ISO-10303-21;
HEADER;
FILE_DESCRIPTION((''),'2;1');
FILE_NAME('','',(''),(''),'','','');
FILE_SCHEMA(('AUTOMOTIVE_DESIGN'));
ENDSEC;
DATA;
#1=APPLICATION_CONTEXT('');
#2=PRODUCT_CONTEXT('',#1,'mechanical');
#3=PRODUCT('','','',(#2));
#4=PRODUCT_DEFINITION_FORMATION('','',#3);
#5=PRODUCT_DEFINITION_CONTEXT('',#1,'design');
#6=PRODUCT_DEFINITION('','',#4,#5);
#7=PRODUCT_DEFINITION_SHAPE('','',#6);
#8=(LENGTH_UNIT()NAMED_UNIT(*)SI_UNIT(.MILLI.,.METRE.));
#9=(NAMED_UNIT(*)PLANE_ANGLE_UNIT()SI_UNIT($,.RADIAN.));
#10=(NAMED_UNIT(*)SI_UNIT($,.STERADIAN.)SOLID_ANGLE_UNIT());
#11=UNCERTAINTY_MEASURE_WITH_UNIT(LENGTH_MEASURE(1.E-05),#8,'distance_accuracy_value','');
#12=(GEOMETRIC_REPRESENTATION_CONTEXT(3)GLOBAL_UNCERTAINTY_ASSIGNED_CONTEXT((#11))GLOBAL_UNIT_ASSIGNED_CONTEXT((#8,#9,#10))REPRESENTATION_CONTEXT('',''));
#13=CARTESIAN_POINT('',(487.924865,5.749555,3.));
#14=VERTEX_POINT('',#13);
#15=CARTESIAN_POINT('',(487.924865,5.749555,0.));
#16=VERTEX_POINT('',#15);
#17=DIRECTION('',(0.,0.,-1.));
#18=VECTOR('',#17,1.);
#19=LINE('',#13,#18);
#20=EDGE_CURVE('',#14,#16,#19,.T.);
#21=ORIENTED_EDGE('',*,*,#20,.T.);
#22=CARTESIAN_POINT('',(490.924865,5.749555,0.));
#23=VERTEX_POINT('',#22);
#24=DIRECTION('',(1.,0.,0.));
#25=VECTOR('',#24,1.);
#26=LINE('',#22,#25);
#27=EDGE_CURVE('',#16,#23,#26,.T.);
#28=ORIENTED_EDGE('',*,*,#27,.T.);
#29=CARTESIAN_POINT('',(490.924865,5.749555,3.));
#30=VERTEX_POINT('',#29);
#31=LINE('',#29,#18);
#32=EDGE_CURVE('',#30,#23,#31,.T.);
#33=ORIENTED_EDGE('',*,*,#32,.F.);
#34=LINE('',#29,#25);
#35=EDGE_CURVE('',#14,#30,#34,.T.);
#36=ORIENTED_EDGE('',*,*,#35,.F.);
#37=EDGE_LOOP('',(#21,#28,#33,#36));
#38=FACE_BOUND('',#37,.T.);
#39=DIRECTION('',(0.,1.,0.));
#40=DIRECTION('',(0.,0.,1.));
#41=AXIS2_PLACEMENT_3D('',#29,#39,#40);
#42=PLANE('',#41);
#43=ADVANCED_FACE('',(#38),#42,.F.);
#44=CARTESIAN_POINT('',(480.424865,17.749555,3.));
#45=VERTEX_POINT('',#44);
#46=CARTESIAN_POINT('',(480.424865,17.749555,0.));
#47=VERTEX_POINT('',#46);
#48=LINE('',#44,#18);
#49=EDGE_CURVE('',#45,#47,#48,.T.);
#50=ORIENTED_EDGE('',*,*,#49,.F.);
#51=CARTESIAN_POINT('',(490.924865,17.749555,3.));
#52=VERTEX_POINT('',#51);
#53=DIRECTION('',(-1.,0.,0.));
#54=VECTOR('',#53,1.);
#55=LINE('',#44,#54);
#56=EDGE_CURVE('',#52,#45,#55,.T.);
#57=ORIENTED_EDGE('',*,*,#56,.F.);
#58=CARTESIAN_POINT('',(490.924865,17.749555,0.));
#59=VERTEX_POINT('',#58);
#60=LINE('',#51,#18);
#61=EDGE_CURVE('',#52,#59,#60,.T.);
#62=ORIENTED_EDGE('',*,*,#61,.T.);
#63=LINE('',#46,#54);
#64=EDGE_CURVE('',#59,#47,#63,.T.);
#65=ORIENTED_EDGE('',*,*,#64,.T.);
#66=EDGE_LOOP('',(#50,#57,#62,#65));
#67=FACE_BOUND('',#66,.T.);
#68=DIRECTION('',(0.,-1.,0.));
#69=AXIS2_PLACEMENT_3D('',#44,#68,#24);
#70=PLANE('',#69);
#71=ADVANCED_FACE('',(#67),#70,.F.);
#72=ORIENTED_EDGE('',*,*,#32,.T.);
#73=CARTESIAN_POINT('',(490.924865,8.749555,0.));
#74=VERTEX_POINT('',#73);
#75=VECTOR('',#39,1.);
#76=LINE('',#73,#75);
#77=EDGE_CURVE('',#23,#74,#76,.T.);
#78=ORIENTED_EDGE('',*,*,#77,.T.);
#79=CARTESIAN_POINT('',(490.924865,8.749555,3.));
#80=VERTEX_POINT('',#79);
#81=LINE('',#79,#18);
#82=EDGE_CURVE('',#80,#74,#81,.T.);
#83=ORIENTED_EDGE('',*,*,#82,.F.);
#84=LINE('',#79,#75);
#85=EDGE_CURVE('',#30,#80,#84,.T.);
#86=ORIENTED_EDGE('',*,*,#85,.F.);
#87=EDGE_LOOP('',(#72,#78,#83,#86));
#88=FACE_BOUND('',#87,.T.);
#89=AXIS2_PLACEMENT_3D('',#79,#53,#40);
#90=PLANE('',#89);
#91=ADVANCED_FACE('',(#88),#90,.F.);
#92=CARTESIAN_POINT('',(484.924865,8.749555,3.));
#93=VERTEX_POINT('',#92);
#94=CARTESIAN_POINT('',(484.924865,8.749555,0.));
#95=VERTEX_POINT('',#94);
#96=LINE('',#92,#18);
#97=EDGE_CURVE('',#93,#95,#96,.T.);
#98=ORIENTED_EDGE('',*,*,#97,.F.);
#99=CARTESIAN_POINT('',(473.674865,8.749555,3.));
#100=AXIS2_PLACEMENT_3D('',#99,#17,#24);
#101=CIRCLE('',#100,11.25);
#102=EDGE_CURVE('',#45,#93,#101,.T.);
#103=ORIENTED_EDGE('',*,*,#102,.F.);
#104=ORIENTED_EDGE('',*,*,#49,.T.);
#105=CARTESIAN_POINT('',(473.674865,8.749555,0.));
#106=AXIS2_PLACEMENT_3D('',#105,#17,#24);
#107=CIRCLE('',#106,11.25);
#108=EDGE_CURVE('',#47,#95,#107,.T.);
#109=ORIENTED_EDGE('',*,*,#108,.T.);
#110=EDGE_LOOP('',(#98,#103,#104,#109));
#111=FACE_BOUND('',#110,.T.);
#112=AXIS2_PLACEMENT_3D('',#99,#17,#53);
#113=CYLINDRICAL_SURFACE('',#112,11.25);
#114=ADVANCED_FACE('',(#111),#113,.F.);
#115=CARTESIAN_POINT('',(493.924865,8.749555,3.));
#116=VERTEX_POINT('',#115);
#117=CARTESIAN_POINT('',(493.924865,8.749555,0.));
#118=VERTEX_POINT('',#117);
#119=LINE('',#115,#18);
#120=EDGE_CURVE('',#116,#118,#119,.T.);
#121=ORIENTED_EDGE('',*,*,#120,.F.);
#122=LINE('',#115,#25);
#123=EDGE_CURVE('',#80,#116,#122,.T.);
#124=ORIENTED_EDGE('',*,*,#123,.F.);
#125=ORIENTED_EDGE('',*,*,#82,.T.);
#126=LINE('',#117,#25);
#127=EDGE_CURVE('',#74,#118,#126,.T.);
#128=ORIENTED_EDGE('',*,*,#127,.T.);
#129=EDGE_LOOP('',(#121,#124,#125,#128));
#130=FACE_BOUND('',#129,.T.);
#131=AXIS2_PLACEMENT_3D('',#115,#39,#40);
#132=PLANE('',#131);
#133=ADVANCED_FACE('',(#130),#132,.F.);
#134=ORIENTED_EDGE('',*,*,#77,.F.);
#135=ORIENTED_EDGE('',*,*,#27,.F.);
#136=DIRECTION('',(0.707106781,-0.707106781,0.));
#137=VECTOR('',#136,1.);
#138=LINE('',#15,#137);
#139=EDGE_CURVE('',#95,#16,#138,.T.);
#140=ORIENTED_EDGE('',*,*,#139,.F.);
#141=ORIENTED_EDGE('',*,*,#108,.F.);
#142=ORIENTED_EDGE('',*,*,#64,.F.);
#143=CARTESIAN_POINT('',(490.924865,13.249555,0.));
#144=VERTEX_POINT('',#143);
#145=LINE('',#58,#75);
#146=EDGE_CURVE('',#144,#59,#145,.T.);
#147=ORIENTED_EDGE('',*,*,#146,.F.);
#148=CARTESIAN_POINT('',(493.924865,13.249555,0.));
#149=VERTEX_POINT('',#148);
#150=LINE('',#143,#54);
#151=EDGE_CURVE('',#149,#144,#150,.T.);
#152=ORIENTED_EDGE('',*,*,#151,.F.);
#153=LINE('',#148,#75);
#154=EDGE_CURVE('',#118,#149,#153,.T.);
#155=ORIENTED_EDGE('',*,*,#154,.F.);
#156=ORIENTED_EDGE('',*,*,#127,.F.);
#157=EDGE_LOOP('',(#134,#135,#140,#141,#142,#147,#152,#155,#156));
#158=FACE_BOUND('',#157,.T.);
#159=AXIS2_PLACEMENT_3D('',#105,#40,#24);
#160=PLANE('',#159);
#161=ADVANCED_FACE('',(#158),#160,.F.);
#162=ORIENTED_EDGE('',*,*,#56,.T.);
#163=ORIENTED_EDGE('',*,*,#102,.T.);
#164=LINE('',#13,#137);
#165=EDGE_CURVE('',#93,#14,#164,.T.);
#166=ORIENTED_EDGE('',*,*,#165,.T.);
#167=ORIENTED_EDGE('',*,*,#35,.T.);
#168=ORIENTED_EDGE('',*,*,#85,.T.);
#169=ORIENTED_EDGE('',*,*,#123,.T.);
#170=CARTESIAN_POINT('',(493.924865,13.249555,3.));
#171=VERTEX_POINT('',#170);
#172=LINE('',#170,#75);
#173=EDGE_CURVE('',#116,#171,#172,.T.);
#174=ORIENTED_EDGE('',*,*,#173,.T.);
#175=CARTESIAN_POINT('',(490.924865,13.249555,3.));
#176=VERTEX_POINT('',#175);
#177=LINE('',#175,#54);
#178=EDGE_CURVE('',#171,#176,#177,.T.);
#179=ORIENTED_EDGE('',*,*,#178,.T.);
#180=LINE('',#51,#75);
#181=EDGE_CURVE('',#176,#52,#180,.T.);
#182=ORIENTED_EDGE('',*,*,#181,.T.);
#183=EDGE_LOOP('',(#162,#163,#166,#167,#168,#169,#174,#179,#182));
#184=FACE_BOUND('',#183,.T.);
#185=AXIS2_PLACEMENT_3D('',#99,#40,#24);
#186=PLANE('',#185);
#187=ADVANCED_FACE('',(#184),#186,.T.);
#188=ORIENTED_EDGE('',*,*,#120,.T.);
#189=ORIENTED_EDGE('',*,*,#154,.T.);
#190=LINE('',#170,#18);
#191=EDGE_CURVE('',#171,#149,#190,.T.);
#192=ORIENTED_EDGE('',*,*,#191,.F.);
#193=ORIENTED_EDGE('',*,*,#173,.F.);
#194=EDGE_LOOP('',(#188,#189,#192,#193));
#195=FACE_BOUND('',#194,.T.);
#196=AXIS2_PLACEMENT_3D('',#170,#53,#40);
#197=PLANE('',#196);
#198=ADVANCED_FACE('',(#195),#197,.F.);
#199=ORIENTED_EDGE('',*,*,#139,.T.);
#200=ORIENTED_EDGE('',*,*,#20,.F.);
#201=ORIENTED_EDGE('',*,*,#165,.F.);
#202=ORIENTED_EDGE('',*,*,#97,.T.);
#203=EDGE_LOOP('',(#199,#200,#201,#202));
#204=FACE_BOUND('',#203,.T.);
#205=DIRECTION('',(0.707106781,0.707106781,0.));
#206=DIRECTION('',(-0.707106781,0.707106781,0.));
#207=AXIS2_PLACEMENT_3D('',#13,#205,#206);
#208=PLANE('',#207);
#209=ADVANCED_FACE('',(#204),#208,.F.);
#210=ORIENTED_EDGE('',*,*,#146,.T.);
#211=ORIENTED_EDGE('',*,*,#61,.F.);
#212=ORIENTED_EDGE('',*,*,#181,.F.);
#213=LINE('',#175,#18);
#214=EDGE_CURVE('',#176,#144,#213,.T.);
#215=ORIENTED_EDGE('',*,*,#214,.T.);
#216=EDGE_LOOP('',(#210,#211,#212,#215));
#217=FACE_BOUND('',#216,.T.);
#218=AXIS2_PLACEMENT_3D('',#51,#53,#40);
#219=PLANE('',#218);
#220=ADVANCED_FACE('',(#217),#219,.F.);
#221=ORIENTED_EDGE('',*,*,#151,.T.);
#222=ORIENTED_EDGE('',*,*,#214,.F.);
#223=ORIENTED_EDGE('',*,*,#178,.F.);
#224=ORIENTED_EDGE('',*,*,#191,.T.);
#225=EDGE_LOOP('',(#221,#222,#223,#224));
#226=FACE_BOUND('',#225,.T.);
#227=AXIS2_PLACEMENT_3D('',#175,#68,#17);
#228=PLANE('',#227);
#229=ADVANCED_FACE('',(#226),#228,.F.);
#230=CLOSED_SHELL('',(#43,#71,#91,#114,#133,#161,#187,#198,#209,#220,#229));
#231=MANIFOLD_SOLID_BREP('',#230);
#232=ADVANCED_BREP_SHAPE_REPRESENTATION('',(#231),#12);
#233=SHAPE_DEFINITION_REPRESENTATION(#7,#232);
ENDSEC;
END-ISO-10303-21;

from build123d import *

# Parameters (mm, degrees)
BOSS_EXTRUDE1_DEPTH = 3


with BuildPart() as part:
    # Sketch1 → Boss-Extrude1 (new body)
    with BuildSketch(Plane.XY):
        with BuildLine():
            Line((490.924864814, 8.749554885), (490.924864814, 5.749554885))
            Line((490.924864814, 5.749554885), (487.924864814, 5.749554885))
            Line((487.924864814, 5.749554885), (484.924864814, 8.749554885))
            ThreePointArc((484.924864814, 8.749554885), (483.737170712, 13.780707835), (480.424864814, 17.749554885))
            Line((480.424864814, 17.749554885), (490.924864814, 17.749554885))
            Line((490.924864814, 17.749554885), (490.924864814, 13.249554885))
            Line((490.924864814, 13.249554885), (493.924864814, 13.249554885))
            Line((493.924864814, 13.249554885), (493.924864814, 8.749554885))
            Line((493.924864814, 8.749554885), (490.924864814, 8.749554885))
        make_face()
    extrude(amount=BOSS_EXTRUDE1_DEPTH)


solid = part.part
